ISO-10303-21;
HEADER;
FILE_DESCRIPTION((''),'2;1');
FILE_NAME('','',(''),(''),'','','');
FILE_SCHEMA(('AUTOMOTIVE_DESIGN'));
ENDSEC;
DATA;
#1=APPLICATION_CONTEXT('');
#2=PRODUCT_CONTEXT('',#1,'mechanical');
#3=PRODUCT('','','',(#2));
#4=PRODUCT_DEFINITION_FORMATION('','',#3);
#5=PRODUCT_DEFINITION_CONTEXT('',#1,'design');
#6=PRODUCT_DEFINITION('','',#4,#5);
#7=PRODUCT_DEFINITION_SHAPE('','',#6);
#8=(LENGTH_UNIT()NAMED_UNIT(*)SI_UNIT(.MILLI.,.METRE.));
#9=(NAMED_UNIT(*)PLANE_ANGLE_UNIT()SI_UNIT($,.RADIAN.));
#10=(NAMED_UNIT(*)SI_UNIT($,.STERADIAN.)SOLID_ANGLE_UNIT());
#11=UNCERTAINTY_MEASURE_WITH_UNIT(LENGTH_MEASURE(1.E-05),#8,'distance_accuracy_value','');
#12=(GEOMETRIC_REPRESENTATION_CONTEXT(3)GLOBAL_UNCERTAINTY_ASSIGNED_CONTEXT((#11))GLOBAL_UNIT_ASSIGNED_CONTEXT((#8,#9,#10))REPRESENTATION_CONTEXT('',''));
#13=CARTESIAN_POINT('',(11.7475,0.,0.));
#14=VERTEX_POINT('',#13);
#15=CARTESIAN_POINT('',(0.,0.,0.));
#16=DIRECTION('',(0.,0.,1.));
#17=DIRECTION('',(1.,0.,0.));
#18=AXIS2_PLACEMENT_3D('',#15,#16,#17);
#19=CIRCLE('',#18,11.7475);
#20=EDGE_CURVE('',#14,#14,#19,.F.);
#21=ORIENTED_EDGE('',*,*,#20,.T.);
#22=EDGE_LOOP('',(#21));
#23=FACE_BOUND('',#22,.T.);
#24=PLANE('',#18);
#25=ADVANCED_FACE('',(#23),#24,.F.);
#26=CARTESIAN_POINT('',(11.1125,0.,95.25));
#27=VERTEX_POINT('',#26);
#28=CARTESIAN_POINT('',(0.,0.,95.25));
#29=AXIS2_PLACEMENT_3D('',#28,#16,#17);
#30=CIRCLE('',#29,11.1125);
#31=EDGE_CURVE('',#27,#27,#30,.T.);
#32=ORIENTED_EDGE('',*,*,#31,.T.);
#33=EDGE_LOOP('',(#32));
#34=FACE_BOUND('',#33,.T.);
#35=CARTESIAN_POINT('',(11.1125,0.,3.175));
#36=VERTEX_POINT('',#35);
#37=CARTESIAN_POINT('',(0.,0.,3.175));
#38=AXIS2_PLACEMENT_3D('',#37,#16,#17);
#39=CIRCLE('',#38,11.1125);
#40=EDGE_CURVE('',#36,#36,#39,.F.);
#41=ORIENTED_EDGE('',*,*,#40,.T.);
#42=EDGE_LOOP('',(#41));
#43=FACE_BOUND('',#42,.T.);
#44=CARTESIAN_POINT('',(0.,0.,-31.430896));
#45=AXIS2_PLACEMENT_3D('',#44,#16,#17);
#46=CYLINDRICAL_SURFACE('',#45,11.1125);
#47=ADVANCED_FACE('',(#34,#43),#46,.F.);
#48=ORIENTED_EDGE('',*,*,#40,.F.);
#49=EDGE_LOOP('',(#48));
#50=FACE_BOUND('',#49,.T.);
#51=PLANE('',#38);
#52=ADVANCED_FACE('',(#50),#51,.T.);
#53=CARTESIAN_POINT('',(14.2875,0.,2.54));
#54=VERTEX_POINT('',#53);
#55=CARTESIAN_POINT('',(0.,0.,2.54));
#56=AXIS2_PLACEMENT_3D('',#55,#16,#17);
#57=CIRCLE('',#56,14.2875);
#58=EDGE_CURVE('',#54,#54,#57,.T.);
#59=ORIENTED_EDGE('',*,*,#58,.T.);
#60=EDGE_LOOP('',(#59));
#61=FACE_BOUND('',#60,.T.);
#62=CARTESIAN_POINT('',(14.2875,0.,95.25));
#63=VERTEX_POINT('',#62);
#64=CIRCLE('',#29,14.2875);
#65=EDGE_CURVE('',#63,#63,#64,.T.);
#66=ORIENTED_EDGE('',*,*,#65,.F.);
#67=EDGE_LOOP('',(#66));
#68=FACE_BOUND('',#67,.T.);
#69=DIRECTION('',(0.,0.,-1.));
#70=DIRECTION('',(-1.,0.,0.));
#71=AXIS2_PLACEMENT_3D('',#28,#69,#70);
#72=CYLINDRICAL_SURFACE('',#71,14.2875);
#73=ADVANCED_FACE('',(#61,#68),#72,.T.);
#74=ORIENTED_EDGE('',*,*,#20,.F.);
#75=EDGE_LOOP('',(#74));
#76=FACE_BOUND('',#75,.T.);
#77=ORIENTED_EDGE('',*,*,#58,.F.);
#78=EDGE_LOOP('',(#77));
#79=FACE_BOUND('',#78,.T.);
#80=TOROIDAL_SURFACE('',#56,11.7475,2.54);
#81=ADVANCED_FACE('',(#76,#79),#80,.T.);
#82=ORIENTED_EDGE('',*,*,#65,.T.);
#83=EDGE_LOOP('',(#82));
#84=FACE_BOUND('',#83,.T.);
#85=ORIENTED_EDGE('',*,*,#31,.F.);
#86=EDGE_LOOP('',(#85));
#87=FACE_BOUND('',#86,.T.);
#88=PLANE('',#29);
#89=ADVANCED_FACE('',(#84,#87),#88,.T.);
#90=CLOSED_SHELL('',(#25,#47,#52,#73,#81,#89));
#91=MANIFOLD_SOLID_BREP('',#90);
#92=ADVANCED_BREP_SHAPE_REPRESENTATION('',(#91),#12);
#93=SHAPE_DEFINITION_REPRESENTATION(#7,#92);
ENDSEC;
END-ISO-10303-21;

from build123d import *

# Parameters (mm, degrees)
SKETCH1_R           = 14.2875
BOSS_EXTRUDE1_DEPTH = 95.25
SKETCH2_R           = 11.1125
CUT_EXTRUDE1_DEPTH  = 92.075
FILLET1_R           = 2.54


with BuildPart() as part:
    # Sketch1 → Boss-Extrude1 (new body)
    with BuildSketch(Plane.XY):
        Circle(SKETCH1_R)
    extrude(amount=BOSS_EXTRUDE1_DEPTH)

    # Sketch2 → Cut-Extrude1 (cut)
    with BuildSketch(Plane.XY.offset(95.25)):
        Circle(SKETCH2_R)
    extrude(amount=-CUT_EXTRUDE1_DEPTH, mode=Mode.SUBTRACT)

    # Fillet1
    fillet1_edges = [part.edges().sort_by_distance(p)[0] for p in [
        (-14.2875, 0, 0),
    ]]
    fillet(fillet1_edges, radius=FILLET1_R)


solid = part.part
